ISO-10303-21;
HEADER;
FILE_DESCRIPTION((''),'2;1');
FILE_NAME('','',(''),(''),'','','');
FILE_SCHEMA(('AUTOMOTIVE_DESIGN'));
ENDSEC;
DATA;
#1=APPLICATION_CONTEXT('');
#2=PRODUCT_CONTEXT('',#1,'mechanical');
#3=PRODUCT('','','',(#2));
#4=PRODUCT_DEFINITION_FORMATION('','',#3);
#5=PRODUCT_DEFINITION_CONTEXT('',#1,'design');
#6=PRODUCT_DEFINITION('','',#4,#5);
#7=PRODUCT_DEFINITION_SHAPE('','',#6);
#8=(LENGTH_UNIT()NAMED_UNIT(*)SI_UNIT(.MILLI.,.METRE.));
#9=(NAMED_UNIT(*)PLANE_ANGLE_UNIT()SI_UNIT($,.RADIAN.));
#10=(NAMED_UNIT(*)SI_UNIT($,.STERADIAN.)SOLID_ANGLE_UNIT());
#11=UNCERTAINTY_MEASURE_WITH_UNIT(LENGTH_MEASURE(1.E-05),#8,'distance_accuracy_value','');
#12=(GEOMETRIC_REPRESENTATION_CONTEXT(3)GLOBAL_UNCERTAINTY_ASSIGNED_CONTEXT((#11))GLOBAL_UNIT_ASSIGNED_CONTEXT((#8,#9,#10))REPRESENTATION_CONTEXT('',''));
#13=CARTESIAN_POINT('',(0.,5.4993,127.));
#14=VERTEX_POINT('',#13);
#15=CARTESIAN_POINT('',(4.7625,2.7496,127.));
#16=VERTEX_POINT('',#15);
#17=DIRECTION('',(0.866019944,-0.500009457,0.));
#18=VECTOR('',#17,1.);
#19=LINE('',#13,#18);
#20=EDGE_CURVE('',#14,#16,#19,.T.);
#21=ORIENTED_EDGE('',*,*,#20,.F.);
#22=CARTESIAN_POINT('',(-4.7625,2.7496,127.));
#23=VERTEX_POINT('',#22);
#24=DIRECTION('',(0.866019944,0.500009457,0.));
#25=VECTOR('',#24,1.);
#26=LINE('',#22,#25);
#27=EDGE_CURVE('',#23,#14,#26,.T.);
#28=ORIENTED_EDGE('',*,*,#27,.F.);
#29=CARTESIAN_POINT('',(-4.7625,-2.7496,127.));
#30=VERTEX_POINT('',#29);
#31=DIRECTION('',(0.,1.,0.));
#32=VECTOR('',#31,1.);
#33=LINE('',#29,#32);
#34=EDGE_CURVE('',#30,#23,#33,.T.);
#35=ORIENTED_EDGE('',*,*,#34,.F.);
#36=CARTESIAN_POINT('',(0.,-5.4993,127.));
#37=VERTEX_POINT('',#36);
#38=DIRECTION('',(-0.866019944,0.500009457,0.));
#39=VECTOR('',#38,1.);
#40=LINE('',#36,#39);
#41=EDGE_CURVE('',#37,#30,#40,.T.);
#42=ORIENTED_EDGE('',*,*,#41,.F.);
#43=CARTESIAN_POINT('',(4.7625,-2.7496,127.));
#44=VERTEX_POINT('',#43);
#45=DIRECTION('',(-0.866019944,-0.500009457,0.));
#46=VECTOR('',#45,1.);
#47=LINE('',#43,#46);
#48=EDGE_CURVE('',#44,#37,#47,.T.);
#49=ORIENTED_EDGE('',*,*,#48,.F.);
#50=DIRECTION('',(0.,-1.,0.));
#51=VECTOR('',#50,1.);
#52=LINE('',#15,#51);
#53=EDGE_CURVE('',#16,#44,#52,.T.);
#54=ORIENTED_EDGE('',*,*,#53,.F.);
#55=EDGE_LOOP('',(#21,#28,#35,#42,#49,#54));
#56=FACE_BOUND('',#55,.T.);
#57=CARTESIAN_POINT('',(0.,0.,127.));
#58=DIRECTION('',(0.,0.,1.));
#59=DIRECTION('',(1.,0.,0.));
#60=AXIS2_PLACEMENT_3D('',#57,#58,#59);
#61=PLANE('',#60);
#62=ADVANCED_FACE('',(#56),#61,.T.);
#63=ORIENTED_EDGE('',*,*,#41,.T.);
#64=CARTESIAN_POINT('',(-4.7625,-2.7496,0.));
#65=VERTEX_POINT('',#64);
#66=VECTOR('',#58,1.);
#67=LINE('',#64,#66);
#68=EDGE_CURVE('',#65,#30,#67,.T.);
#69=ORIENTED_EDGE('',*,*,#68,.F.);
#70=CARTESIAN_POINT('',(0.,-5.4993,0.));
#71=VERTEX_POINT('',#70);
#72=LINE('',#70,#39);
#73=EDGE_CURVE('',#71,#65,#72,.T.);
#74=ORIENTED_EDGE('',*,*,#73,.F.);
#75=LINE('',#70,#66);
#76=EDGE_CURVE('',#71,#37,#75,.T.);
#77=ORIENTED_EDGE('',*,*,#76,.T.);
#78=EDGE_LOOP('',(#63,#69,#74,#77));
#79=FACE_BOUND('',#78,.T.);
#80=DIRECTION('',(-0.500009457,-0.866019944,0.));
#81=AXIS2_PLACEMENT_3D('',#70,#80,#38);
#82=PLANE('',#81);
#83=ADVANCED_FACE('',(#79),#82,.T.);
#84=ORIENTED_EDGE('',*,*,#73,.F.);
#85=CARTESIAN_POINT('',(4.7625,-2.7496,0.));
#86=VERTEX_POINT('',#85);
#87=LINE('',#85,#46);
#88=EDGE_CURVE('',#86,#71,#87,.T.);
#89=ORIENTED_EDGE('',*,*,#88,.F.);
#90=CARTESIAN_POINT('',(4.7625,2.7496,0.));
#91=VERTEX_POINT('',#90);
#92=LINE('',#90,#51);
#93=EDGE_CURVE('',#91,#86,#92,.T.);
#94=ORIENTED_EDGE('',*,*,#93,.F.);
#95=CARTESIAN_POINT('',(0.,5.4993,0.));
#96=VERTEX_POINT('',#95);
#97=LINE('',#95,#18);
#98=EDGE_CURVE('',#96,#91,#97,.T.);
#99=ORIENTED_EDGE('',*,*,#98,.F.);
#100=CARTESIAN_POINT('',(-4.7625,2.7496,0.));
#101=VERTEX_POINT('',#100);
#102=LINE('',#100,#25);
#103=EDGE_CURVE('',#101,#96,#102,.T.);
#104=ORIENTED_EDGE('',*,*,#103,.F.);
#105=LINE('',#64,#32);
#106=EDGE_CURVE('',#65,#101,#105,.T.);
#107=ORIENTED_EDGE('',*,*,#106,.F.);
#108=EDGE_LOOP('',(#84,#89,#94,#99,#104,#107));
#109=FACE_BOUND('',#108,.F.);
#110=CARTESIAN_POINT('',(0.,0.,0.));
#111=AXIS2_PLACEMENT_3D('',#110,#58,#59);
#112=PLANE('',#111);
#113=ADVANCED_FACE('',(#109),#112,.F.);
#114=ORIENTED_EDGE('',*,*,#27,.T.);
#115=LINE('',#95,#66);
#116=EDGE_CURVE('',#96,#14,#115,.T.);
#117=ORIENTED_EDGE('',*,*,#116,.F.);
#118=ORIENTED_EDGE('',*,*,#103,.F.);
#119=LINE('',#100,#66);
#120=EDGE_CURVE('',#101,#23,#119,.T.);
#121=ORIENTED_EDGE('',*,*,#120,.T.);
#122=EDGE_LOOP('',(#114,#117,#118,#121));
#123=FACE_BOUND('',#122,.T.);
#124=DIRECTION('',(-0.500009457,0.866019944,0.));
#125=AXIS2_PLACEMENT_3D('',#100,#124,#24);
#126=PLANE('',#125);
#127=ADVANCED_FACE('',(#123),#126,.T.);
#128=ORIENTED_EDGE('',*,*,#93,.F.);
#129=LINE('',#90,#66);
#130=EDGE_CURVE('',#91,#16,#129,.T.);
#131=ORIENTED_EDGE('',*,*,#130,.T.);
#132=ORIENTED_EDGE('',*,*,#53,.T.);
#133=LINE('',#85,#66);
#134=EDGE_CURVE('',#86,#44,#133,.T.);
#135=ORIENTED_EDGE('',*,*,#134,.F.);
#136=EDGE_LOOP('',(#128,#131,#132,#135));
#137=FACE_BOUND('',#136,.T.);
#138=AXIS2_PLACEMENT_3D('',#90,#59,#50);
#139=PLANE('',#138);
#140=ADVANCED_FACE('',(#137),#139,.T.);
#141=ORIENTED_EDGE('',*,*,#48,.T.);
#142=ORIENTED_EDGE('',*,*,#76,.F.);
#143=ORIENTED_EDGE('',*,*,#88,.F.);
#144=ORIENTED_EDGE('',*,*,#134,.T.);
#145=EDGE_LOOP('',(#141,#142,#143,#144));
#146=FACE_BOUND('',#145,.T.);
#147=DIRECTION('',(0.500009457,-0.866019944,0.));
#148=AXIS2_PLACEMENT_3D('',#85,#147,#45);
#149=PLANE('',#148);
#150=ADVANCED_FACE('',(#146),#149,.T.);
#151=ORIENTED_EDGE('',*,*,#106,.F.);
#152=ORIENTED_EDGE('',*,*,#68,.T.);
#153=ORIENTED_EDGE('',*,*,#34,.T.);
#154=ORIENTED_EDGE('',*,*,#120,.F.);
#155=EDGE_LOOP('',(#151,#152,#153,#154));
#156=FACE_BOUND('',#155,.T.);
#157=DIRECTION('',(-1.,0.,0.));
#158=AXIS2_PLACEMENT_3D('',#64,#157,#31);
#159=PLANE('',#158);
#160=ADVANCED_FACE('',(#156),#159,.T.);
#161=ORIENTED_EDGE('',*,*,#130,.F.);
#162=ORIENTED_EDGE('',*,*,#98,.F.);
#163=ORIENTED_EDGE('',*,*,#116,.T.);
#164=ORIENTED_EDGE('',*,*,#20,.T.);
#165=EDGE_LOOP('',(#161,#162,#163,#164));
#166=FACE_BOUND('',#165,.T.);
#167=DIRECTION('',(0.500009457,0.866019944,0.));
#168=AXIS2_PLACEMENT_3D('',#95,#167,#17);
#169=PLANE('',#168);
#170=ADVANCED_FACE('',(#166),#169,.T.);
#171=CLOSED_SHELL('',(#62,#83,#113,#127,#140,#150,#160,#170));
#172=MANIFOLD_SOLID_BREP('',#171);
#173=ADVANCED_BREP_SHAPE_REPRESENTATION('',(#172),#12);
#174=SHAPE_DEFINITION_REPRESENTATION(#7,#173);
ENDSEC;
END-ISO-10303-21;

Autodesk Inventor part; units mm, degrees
ref_plane "YZ Plane" through (0, 0, 0) normal (1, 0, 0) x (0, 1, 0)
ref_plane "XZ Plane" through (0, 0, 0) normal (0, 1, 0) x (-1, 0, 0)
ref_plane "XY Plane" through (0, 0, 0) normal (0, 0, 1) x (1, 0, 0)
sketch "Sketch1" plane through (0, 0, 0) normal (0, 0, 1) x (1, 0, 0)
  line L0 (0, 5.4993) -> (4.7625, 2.7496)
  line L1 (4.7625, 2.7496) -> (4.7625, -2.7496)
  line L2 (4.7625, -2.7496) -> (0, -5.4993)
  line L3 (0, -5.4993) -> (-4.7625, -2.7496)
  line L4 (-4.7625, -2.7496) -> (-4.7625, 2.7496)
  line L5 (-4.7625, 2.7496) -> (0, 5.4993)
  point P0 (0, 0)
  point P1 (0, 0)
  dimension "d3" = 9.525
extrude "Extrusion1" add sketch "Sketch1" along normal blind 127
properties part number "hex shaft"
